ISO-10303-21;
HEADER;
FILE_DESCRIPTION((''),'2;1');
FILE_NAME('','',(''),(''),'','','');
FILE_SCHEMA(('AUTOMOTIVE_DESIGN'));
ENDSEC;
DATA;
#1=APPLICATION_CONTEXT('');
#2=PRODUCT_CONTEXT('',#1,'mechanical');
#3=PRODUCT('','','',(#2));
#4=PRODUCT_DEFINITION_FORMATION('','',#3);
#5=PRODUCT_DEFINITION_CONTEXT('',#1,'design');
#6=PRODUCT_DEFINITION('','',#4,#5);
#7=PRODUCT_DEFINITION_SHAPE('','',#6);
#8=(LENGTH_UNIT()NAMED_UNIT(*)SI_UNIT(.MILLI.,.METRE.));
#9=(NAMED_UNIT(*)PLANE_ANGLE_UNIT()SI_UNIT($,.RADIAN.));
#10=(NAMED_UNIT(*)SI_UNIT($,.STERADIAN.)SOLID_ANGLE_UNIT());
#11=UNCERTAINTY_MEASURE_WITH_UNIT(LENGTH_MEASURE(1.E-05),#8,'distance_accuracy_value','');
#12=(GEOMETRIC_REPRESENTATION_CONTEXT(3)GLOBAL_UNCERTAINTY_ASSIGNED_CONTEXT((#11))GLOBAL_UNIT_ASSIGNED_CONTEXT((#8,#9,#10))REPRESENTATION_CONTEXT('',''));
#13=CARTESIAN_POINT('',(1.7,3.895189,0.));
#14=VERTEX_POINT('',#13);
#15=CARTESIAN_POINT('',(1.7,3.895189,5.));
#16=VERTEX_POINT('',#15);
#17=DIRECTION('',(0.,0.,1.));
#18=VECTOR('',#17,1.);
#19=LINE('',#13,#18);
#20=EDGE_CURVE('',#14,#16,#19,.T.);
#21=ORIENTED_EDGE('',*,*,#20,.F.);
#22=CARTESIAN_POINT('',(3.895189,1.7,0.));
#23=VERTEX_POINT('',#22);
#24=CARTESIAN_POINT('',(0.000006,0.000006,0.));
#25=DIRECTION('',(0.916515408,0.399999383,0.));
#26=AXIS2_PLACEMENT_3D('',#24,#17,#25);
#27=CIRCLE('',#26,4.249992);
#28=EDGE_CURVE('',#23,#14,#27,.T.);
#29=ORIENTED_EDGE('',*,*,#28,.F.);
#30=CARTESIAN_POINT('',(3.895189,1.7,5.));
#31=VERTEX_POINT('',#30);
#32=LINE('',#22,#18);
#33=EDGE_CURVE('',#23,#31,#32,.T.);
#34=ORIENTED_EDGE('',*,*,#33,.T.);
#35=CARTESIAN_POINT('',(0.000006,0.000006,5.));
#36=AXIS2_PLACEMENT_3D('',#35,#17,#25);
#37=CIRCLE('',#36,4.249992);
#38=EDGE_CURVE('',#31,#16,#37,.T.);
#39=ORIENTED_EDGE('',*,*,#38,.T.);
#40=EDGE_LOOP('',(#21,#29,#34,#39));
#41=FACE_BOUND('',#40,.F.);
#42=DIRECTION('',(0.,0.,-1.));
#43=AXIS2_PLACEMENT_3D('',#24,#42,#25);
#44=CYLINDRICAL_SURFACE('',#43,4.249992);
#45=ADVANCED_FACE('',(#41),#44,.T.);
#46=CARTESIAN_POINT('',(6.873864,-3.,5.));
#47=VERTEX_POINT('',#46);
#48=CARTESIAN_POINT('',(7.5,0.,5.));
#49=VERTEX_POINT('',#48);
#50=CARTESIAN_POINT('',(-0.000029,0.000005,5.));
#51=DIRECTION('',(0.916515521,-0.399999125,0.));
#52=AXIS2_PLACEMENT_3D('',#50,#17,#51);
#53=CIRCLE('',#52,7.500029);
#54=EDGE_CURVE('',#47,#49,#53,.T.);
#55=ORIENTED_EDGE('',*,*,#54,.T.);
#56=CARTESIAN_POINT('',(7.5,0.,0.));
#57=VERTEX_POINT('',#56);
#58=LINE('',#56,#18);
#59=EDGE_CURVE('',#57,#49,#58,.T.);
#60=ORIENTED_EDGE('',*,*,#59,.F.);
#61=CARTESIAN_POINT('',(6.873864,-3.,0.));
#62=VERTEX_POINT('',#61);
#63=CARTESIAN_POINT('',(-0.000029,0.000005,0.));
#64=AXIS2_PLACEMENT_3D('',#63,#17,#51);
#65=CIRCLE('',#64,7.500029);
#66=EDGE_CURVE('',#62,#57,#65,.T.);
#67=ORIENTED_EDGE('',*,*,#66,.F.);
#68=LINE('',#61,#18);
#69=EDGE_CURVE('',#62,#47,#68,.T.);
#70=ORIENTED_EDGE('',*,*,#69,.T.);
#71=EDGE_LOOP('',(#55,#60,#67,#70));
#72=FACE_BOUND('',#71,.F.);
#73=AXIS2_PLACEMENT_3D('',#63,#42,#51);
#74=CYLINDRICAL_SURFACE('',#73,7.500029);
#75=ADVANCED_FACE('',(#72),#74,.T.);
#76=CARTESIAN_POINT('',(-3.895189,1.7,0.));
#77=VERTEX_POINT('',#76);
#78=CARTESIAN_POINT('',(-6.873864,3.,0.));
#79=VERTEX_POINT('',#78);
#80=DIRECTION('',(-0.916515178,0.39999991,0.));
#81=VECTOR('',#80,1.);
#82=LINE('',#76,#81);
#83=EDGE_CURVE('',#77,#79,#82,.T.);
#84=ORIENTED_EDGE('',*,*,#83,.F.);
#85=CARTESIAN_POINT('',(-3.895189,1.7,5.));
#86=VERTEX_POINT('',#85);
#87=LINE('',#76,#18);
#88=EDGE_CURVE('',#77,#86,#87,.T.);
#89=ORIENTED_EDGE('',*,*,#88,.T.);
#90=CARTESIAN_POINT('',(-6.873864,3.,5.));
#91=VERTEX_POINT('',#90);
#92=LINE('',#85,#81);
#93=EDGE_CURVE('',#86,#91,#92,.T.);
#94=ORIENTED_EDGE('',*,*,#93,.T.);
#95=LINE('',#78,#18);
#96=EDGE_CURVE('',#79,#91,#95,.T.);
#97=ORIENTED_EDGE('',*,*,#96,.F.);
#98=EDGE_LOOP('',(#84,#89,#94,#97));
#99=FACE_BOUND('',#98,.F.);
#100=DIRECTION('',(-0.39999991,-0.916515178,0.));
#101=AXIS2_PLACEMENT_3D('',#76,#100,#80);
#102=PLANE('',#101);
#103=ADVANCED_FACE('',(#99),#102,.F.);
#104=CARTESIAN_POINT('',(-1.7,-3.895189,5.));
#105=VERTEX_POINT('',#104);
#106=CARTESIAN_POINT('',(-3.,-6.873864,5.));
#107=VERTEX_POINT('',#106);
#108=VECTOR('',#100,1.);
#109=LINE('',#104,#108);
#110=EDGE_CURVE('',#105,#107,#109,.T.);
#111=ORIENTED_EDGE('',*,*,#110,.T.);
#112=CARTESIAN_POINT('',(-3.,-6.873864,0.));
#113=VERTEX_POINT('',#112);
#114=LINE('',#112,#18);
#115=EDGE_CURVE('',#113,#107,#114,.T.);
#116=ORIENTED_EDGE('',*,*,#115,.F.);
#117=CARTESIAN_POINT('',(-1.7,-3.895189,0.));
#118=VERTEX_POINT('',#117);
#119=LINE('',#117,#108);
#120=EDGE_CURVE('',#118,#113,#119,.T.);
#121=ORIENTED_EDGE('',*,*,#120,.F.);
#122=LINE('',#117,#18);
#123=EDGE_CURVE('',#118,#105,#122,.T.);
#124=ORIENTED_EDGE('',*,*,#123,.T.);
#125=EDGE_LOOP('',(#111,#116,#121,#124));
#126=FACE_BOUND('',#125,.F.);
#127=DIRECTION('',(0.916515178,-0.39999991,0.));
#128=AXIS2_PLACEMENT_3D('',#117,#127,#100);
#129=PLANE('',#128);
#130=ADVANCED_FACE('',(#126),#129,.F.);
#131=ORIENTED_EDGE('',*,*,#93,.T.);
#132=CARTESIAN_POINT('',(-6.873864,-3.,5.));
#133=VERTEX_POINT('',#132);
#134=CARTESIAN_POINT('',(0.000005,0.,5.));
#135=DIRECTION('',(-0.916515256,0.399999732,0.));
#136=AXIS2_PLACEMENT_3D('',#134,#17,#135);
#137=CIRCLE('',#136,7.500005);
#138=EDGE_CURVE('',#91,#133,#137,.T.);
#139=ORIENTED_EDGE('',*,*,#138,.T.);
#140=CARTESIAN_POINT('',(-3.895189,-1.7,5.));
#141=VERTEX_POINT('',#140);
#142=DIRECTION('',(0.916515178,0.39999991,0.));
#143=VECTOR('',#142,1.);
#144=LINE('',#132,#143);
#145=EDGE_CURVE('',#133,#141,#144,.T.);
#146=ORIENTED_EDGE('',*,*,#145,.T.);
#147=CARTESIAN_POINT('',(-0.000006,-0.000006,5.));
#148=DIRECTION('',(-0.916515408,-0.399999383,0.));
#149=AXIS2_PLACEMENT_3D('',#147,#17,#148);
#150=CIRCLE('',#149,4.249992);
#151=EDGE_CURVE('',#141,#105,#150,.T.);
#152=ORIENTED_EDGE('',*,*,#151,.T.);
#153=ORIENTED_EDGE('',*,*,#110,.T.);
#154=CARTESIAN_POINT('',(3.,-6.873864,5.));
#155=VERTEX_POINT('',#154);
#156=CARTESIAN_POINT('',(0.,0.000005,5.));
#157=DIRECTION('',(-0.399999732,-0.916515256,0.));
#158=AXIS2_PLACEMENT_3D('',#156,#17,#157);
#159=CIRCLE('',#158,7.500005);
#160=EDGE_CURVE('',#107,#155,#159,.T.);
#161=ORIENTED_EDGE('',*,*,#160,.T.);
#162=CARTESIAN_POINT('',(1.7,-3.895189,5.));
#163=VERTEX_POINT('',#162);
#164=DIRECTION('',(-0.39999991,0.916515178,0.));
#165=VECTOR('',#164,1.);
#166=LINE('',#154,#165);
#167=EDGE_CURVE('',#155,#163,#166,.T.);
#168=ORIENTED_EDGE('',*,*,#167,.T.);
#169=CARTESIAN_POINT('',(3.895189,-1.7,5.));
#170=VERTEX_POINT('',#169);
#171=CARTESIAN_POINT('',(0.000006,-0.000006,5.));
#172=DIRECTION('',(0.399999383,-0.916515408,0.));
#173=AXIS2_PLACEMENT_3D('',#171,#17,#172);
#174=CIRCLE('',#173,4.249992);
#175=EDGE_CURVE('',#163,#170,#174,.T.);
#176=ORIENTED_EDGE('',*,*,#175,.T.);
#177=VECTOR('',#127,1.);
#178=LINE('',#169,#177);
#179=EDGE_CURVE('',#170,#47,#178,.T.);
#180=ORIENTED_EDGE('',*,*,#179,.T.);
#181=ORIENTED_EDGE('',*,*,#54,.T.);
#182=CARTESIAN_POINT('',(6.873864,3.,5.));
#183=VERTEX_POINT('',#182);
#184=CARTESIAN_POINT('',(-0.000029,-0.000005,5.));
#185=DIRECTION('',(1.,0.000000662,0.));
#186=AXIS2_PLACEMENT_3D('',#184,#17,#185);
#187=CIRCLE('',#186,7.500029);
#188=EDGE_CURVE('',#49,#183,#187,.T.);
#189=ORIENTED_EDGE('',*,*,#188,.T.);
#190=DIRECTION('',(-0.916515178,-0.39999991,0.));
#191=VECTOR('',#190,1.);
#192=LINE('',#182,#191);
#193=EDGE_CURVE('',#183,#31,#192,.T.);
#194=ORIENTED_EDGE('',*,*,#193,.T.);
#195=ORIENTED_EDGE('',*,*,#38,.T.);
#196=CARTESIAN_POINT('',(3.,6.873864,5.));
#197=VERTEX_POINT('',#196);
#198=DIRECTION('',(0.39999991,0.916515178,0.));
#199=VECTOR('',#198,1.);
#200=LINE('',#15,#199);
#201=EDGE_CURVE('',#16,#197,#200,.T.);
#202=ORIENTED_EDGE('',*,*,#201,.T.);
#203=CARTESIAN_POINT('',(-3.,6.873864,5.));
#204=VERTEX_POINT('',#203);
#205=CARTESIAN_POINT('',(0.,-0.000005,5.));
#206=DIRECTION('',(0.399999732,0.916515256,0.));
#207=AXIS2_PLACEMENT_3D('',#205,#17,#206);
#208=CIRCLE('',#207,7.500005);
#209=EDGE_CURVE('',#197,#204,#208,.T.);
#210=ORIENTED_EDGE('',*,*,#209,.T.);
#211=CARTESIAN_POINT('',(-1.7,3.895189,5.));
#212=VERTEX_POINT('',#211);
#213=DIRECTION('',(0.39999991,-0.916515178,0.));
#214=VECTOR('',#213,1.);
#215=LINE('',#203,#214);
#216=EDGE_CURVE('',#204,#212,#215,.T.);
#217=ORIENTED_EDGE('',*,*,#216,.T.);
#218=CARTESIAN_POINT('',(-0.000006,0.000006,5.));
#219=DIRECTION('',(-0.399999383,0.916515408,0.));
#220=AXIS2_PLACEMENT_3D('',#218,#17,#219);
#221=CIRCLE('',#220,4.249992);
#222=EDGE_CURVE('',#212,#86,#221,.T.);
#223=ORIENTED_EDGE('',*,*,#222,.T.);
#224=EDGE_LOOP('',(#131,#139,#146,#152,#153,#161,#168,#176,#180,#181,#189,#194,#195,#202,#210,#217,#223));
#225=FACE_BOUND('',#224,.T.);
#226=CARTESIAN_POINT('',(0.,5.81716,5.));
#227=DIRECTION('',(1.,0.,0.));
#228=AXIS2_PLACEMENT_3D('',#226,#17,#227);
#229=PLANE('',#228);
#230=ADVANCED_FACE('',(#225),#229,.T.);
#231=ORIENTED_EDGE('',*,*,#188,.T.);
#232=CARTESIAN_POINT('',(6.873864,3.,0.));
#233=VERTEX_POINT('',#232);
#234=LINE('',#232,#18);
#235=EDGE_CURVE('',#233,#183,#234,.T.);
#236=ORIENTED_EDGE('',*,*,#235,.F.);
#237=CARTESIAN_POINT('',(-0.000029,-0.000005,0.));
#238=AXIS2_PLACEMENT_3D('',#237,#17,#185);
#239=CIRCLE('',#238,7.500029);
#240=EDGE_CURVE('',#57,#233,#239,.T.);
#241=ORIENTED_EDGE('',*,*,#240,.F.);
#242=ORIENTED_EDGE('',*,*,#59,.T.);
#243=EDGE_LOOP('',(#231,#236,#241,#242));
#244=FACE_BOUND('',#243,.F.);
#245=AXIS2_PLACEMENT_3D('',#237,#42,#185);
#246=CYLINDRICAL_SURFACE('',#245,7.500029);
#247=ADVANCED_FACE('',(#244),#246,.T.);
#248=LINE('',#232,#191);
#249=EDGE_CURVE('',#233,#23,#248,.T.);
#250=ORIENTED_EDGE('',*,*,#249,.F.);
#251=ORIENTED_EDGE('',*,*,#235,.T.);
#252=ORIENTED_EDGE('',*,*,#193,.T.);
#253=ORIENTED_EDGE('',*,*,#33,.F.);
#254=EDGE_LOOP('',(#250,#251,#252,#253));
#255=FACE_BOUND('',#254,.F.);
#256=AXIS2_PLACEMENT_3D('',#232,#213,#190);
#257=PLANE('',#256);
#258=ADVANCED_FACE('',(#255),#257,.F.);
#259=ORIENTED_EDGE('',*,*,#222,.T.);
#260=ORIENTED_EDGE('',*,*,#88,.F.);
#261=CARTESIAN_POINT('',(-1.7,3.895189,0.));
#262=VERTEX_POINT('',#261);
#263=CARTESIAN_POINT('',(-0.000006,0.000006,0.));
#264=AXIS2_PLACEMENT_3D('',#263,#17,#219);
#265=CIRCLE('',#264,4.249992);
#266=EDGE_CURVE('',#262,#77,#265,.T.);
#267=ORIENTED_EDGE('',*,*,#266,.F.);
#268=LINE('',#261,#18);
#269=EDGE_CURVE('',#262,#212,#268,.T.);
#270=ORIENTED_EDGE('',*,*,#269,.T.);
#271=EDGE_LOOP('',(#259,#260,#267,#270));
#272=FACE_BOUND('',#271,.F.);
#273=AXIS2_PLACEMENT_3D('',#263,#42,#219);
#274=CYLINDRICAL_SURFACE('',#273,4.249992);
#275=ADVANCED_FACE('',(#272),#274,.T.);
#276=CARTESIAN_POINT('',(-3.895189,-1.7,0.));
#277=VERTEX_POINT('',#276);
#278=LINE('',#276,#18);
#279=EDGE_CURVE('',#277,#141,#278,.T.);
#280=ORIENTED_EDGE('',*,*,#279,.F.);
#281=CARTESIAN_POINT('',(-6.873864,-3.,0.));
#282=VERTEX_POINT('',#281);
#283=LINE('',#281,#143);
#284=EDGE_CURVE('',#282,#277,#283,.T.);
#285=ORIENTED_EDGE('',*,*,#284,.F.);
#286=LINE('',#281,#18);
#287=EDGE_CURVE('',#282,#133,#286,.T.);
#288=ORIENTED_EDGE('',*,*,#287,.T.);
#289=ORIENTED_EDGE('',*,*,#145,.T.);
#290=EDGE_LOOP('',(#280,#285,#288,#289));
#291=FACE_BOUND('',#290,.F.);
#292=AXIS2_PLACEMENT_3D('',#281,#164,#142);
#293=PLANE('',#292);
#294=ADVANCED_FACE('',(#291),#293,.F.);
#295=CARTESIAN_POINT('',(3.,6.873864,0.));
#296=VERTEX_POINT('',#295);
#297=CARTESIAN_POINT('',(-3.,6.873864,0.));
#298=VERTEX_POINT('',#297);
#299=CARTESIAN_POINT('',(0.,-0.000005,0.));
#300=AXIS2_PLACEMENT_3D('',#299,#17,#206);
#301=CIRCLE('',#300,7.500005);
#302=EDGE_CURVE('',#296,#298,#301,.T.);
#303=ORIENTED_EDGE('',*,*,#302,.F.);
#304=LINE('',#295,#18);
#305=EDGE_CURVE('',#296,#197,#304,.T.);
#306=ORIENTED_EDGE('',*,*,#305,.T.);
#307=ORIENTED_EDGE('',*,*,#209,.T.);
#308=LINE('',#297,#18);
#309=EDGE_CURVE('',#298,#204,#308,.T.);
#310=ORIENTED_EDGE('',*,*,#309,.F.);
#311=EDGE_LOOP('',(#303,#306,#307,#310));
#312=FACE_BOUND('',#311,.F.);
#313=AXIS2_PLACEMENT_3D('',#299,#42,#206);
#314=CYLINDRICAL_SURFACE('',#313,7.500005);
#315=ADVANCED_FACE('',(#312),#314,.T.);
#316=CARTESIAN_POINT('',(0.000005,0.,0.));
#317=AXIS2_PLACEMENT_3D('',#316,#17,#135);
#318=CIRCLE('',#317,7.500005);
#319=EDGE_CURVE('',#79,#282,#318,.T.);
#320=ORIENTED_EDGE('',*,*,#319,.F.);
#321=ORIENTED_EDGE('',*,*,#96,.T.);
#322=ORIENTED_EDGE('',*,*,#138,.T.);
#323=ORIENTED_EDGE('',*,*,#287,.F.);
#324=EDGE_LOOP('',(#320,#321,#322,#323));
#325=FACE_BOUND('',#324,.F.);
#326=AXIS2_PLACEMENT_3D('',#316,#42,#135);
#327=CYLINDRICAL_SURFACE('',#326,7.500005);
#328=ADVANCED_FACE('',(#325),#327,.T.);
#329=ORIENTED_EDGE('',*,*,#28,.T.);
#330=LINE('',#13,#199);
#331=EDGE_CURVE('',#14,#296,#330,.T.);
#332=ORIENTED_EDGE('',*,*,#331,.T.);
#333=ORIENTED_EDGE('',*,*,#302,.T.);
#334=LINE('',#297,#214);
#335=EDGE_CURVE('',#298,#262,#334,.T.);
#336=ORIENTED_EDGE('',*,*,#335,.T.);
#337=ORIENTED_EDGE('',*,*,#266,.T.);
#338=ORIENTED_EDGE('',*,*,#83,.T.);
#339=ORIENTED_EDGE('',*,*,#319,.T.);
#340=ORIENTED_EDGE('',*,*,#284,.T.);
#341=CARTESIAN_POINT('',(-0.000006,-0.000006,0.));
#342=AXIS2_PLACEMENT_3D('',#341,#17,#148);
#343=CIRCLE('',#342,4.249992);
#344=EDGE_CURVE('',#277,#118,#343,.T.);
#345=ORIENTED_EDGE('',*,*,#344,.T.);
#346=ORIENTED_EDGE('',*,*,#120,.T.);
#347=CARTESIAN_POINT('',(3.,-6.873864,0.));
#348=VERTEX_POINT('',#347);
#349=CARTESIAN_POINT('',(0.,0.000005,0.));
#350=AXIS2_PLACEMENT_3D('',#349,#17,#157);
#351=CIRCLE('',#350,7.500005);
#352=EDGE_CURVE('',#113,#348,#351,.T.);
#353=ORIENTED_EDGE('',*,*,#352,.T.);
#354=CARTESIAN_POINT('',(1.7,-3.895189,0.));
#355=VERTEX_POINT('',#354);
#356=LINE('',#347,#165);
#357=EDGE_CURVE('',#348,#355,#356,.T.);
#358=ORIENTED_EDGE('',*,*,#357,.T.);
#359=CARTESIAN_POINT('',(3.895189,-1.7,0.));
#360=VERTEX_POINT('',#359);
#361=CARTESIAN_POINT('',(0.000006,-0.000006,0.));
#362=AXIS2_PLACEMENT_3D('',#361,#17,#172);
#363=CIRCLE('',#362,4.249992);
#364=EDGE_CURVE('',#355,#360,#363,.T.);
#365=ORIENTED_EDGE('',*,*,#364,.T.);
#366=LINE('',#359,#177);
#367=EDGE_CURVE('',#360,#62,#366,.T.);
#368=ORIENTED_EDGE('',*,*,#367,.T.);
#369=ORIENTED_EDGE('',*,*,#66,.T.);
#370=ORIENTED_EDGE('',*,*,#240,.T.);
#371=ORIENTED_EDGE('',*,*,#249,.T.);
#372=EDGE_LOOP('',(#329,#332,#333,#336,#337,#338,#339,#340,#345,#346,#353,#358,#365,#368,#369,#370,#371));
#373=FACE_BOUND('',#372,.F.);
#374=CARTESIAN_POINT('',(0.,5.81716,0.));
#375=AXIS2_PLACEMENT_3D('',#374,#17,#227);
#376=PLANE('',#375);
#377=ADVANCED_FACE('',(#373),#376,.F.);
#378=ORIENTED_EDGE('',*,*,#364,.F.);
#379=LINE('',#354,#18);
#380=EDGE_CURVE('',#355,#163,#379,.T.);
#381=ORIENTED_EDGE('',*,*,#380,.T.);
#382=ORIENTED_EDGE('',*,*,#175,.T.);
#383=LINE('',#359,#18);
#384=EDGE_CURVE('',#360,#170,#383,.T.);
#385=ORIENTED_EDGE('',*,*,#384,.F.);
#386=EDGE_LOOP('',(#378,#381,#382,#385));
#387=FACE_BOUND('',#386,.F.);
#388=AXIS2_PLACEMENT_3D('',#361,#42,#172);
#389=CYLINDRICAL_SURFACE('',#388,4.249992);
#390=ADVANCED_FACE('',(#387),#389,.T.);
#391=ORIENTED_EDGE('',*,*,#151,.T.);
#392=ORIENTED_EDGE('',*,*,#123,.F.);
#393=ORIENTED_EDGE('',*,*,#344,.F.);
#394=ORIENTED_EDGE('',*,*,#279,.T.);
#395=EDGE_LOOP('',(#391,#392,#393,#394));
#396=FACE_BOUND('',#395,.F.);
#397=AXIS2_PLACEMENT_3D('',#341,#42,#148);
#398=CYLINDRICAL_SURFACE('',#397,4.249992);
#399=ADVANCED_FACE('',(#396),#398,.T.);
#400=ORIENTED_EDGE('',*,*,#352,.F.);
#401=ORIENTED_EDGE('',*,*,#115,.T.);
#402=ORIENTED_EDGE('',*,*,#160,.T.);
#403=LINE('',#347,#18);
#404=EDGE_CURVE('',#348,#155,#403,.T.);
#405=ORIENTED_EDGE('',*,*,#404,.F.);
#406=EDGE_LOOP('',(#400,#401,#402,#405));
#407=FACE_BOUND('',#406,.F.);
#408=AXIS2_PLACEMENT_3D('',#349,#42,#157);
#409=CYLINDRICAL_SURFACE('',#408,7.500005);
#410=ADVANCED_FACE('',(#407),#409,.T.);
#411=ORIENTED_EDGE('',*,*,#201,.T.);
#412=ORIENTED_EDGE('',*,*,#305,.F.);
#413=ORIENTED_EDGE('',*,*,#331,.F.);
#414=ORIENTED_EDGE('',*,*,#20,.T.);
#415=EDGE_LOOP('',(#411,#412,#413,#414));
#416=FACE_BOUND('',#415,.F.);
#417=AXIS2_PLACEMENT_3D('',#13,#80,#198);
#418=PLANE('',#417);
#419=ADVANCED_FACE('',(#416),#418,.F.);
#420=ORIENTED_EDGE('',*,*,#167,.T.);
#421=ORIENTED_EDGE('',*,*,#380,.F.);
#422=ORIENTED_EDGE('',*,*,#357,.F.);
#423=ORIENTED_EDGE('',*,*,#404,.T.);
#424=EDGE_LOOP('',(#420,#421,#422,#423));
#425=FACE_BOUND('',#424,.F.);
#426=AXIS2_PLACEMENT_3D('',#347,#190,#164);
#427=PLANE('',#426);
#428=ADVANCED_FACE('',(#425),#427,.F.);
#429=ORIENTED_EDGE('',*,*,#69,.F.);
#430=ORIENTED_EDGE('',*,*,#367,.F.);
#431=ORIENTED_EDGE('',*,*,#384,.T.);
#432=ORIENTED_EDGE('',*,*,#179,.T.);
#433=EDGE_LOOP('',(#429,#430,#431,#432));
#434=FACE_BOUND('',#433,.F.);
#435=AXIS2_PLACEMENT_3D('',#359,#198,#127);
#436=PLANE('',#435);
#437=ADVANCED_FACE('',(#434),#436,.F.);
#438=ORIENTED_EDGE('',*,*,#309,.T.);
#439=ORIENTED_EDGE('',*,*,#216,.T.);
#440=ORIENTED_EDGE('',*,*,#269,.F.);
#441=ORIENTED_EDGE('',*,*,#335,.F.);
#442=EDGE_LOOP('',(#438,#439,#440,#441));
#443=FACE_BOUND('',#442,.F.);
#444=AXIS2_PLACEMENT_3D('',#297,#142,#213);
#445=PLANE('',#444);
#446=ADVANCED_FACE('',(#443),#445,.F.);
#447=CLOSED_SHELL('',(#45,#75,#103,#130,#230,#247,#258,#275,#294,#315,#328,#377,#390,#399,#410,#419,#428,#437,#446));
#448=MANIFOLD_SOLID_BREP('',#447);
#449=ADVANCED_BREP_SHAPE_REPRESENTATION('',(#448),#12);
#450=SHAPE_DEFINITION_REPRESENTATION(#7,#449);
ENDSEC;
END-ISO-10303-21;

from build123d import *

# Parameters (mm, degrees)
F1_DEPTH = 5


with BuildPart() as f1:
    # F0 (on Top) → F1 (new body)
    with BuildSketch(Plane.XY):
        with BuildLine():
            Line((1.7, 3.895189), (3, 6.873864))
            ThreePointArc((3, 6.873864), (0, 7.5), (-3, 6.873864))
            Line((-3, 6.873864), (-1.7, 3.895189))
            ThreePointArc((-1.7, 3.895189), (0, 4.25), (1.7, 3.895189))
        make_face()
        with BuildLine():
            ThreePointArc((6.873864, -3), (7.341797, -1.532322), (7.5, 0))
            ThreePointArc((7.5, 0), (7.341797, 1.532322), (6.873864, 3))
            Line((6.873864, 3), (3.895189, 1.7))
            ThreePointArc((3.895189, 1.7), (4.160352, 0.868316), (4.25, 0))
            ThreePointArc((4.25, 0), (4.160352, -0.868316), (3.895189, -1.7))
            Line((3.895189, -1.7), (6.873864, -3))
        make_face()
        with BuildLine():
            ThreePointArc((-3, -6.873864), (0, -7.5), (3, -6.873864))
            Line((3, -6.873864), (1.7, -3.895189))
            ThreePointArc((1.7, -3.895189), (0, -4.25), (-1.7, -3.895189))
            Line((-1.7, -3.895189), (-3, -6.873864))
        make_face()
        with BuildLine():
            Line((-3.895189, 1.7), (-6.873864, 3))
            ThreePointArc((-6.873864, 3), (-7.5, 0), (-6.873864, -3))
            Line((-6.873864, -3), (-3.895189, -1.7))
            ThreePointArc((-3.895189, -1.7), (-4.25, 0), (-3.895189, 1.7))
        make_face()
        with BuildLine():
            ThreePointArc((4.25, 0), (4.160352, 0.868316), (3.895189, 1.7))
            ThreePointArc((3.895189, 1.7), (3.005204, 3.005204), (1.7, 3.895189))
            ThreePointArc((1.7, 3.895189), (0, 4.25), (-1.7, 3.895189))
            ThreePointArc((-1.7, 3.895189), (-3.005204, 3.005204), (-3.895189, 1.7))
            ThreePointArc((-3.895189, 1.7), (-4.25, 0), (-3.895189, -1.7))
            ThreePointArc((-3.895189, -1.7), (-3.005204, -3.005204), (-1.7, -3.895189))
            ThreePointArc((-1.7, -3.895189), (0, -4.25), (1.7, -3.895189))
            ThreePointArc((1.7, -3.895189), (3.005204, -3.005204), (3.895189, -1.7))
            ThreePointArc((3.895189, -1.7), (4.160352, -0.868316), (4.25, 0))
        make_face()
    extrude(amount=F1_DEPTH)


solid = f1.part
